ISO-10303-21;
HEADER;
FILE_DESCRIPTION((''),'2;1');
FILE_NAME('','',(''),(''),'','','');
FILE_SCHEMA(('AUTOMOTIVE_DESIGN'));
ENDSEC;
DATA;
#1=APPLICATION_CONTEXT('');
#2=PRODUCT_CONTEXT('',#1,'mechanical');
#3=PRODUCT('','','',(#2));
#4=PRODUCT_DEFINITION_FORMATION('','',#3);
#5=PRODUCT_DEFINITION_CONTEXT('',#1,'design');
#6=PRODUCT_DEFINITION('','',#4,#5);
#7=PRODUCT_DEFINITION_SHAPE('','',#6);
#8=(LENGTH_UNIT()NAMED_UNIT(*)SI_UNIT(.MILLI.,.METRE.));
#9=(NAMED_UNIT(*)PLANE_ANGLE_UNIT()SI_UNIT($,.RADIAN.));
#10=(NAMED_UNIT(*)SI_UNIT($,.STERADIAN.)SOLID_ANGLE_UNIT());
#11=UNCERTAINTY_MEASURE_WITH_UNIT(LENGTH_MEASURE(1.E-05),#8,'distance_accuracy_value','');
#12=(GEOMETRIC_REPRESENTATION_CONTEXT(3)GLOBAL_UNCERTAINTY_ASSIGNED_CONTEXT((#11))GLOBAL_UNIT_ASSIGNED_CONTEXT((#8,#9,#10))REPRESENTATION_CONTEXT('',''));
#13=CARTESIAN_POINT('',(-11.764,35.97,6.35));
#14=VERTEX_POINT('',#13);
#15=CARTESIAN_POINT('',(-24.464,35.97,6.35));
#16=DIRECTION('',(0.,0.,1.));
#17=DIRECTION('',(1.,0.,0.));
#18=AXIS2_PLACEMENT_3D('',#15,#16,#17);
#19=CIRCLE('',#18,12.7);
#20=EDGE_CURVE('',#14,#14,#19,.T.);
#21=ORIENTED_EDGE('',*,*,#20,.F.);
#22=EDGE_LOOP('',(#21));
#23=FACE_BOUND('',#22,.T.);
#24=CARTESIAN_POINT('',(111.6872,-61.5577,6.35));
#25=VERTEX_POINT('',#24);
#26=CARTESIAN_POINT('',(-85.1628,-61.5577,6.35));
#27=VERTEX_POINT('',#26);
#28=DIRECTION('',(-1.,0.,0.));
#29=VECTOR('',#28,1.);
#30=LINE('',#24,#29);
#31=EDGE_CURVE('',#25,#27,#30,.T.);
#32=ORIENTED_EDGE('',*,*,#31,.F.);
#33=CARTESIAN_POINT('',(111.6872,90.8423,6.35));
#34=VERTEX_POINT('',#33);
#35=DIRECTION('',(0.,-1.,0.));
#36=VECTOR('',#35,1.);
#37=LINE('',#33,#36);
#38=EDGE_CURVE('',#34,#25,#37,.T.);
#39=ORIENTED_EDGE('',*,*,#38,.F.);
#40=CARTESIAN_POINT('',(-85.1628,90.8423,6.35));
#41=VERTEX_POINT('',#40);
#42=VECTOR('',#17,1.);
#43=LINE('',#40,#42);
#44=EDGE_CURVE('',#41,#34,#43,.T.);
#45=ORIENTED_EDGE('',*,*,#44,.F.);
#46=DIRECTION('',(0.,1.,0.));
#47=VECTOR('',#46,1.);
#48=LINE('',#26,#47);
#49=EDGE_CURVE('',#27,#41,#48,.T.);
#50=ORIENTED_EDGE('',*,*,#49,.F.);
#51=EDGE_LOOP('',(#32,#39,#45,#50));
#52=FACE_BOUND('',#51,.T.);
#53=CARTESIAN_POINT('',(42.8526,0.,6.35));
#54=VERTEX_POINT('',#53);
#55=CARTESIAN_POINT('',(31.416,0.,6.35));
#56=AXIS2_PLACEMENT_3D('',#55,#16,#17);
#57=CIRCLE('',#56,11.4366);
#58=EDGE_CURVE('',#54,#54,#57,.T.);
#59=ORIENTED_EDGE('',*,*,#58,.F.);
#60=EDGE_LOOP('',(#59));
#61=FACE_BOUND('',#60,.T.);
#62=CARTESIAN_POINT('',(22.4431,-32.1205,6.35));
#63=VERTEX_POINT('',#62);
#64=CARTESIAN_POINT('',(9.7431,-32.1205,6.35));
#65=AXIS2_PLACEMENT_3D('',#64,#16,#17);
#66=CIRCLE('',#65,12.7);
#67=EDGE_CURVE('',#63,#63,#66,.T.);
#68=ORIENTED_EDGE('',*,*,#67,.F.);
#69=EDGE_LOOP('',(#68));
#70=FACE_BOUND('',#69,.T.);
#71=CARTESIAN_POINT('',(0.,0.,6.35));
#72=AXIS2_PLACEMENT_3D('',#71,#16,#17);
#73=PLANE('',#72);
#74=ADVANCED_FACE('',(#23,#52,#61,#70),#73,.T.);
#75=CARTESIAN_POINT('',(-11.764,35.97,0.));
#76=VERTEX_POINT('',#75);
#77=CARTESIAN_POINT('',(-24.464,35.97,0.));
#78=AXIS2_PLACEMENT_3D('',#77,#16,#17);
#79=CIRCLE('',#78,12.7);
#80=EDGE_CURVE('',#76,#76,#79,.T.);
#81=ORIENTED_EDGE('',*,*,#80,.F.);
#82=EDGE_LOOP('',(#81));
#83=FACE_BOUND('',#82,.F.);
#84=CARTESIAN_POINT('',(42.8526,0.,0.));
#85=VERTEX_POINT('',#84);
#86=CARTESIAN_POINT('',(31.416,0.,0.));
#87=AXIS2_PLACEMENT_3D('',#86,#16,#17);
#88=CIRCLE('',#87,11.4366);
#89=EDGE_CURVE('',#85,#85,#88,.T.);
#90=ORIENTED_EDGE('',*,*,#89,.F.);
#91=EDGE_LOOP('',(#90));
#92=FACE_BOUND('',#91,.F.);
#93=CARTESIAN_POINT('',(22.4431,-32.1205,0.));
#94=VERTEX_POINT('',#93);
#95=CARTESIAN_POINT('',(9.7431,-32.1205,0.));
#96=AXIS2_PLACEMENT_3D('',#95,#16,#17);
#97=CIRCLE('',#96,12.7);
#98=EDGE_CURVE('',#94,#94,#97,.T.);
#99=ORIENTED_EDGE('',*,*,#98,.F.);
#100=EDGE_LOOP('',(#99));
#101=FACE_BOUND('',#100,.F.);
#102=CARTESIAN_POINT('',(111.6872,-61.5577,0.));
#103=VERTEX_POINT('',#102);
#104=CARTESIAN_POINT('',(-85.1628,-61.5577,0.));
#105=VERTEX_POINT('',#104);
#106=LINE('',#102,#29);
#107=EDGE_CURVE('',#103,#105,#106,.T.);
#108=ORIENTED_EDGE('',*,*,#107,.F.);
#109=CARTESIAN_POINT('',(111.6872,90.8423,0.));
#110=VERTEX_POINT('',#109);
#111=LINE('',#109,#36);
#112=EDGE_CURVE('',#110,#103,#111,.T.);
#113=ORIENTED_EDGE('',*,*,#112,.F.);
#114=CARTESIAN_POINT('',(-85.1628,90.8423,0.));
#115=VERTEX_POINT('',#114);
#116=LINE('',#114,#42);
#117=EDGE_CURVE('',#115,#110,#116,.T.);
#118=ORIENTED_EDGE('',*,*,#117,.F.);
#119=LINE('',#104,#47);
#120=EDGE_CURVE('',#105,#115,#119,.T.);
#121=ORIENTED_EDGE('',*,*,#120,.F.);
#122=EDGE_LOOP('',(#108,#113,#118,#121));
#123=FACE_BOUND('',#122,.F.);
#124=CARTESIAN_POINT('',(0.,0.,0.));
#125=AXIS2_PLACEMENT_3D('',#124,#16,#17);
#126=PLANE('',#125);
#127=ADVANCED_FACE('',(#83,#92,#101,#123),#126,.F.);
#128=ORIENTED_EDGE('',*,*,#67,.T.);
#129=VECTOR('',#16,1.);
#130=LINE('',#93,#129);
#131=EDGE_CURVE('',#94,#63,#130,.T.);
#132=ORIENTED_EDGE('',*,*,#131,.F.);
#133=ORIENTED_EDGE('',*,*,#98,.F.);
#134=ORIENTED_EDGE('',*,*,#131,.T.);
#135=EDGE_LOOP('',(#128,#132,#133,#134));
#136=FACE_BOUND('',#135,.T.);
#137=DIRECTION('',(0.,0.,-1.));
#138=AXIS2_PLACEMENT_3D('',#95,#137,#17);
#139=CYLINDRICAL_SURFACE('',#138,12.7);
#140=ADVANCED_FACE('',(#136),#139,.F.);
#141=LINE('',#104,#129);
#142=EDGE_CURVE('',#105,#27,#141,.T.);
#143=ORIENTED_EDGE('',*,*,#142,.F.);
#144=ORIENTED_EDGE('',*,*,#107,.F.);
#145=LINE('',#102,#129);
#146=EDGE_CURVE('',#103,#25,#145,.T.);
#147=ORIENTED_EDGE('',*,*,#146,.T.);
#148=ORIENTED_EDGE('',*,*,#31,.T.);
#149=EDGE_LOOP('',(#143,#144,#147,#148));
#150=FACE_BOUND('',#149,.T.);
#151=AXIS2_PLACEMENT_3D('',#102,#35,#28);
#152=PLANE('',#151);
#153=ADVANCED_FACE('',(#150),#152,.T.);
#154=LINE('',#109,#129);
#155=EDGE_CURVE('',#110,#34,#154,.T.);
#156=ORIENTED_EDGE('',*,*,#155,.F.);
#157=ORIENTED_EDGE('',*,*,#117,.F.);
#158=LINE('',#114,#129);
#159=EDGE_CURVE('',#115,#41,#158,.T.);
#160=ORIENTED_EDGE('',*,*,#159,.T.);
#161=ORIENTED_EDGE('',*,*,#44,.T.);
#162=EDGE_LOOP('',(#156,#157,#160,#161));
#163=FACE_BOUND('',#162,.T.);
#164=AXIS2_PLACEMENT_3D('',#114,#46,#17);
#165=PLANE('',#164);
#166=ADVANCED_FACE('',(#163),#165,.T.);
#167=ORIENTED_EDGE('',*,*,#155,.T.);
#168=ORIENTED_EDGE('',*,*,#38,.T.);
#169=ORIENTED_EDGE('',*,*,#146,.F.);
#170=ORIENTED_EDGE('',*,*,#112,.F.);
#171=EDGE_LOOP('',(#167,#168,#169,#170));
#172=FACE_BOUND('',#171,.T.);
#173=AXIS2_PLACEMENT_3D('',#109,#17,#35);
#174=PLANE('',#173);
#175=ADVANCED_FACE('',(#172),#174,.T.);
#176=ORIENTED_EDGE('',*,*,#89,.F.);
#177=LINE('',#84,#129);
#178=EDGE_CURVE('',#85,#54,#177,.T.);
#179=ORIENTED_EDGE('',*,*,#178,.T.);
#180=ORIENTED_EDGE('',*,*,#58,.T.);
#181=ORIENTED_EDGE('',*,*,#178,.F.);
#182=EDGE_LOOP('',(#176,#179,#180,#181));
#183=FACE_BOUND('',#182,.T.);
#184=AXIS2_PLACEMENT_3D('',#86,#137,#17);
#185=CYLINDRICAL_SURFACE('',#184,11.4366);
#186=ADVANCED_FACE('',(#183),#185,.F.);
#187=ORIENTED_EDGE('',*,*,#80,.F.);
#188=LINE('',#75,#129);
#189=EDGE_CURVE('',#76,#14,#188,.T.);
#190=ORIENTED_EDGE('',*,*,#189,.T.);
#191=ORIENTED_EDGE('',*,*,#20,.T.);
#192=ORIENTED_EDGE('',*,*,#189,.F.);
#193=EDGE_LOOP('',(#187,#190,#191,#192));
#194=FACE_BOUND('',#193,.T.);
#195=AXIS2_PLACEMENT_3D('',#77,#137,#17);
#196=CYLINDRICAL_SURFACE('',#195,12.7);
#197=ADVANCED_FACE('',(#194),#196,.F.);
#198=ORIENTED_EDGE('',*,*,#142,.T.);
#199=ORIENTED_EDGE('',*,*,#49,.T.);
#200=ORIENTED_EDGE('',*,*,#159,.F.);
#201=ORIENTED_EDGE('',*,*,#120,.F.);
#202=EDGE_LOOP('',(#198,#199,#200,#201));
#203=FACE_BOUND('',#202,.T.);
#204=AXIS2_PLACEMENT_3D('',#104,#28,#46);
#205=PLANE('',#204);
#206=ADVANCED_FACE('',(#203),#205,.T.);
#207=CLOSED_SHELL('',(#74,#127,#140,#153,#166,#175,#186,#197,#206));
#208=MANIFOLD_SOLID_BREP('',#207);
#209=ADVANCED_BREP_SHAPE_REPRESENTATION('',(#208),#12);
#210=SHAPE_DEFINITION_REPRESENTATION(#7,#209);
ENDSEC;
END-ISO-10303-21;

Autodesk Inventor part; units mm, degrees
ref_plane "YZ Plane" through (0, 0, 0) normal (1, 0, 0) x (0, 1, 0)
ref_plane "XZ Plane" through (0, 0, 0) normal (0, 1, 0) x (-1, 0, 0)
ref_plane "XY Plane" through (0, 0, 0) normal (0, 0, 1) x (1, 0, 0)
sketch "Sketch1" plane through (0, 0, 0) normal (0, 0, 1) x (1, 0, 0)
  circle A0 centre (-24.464, 35.97) radius 1.27 projected
  circle A1 centre (31.416, 0) radius 3.175 projected
  line L0 (-56.214, -50.8) -> (-56.214, 50.8) projected
  line L1 (97.7735, -50.8) -> (-56.214, -50.8) projected
  line L2 (97.7735, 50.8) -> (97.7735, -50.8) projected
  line L3 (-56.214, 50.8) -> (97.7735, 50.8) projected
  circle A2 centre (9.7431, -32.1205) radius 12.7 projected
  circle A3 centre (-24.464, 35.97) radius 12.7 projected
  circle A4 centre (31.416, 0) radius 11.4366
  line L4 (111.6872, -61.5577) -> (-85.1628, -61.5577)
  line L5 (-85.1628, -61.5577) -> (-85.1628, 90.8423)
  line L6 (-85.1628, 90.8423) -> (111.6872, 90.8423)
  line L7 (111.6872, 90.8423) -> (111.6872, -61.5577)
  point P0 (0, 0)
  dimension "d0" = 196.85
  dimension "d1" = 152.4
extrude "Extrusion1" add sketch "Sketch1" along normal blind 6.35 contours L0 L3 L2 L1 | L4 L5 L6 L7
properties part number "tiltBoxBase"
